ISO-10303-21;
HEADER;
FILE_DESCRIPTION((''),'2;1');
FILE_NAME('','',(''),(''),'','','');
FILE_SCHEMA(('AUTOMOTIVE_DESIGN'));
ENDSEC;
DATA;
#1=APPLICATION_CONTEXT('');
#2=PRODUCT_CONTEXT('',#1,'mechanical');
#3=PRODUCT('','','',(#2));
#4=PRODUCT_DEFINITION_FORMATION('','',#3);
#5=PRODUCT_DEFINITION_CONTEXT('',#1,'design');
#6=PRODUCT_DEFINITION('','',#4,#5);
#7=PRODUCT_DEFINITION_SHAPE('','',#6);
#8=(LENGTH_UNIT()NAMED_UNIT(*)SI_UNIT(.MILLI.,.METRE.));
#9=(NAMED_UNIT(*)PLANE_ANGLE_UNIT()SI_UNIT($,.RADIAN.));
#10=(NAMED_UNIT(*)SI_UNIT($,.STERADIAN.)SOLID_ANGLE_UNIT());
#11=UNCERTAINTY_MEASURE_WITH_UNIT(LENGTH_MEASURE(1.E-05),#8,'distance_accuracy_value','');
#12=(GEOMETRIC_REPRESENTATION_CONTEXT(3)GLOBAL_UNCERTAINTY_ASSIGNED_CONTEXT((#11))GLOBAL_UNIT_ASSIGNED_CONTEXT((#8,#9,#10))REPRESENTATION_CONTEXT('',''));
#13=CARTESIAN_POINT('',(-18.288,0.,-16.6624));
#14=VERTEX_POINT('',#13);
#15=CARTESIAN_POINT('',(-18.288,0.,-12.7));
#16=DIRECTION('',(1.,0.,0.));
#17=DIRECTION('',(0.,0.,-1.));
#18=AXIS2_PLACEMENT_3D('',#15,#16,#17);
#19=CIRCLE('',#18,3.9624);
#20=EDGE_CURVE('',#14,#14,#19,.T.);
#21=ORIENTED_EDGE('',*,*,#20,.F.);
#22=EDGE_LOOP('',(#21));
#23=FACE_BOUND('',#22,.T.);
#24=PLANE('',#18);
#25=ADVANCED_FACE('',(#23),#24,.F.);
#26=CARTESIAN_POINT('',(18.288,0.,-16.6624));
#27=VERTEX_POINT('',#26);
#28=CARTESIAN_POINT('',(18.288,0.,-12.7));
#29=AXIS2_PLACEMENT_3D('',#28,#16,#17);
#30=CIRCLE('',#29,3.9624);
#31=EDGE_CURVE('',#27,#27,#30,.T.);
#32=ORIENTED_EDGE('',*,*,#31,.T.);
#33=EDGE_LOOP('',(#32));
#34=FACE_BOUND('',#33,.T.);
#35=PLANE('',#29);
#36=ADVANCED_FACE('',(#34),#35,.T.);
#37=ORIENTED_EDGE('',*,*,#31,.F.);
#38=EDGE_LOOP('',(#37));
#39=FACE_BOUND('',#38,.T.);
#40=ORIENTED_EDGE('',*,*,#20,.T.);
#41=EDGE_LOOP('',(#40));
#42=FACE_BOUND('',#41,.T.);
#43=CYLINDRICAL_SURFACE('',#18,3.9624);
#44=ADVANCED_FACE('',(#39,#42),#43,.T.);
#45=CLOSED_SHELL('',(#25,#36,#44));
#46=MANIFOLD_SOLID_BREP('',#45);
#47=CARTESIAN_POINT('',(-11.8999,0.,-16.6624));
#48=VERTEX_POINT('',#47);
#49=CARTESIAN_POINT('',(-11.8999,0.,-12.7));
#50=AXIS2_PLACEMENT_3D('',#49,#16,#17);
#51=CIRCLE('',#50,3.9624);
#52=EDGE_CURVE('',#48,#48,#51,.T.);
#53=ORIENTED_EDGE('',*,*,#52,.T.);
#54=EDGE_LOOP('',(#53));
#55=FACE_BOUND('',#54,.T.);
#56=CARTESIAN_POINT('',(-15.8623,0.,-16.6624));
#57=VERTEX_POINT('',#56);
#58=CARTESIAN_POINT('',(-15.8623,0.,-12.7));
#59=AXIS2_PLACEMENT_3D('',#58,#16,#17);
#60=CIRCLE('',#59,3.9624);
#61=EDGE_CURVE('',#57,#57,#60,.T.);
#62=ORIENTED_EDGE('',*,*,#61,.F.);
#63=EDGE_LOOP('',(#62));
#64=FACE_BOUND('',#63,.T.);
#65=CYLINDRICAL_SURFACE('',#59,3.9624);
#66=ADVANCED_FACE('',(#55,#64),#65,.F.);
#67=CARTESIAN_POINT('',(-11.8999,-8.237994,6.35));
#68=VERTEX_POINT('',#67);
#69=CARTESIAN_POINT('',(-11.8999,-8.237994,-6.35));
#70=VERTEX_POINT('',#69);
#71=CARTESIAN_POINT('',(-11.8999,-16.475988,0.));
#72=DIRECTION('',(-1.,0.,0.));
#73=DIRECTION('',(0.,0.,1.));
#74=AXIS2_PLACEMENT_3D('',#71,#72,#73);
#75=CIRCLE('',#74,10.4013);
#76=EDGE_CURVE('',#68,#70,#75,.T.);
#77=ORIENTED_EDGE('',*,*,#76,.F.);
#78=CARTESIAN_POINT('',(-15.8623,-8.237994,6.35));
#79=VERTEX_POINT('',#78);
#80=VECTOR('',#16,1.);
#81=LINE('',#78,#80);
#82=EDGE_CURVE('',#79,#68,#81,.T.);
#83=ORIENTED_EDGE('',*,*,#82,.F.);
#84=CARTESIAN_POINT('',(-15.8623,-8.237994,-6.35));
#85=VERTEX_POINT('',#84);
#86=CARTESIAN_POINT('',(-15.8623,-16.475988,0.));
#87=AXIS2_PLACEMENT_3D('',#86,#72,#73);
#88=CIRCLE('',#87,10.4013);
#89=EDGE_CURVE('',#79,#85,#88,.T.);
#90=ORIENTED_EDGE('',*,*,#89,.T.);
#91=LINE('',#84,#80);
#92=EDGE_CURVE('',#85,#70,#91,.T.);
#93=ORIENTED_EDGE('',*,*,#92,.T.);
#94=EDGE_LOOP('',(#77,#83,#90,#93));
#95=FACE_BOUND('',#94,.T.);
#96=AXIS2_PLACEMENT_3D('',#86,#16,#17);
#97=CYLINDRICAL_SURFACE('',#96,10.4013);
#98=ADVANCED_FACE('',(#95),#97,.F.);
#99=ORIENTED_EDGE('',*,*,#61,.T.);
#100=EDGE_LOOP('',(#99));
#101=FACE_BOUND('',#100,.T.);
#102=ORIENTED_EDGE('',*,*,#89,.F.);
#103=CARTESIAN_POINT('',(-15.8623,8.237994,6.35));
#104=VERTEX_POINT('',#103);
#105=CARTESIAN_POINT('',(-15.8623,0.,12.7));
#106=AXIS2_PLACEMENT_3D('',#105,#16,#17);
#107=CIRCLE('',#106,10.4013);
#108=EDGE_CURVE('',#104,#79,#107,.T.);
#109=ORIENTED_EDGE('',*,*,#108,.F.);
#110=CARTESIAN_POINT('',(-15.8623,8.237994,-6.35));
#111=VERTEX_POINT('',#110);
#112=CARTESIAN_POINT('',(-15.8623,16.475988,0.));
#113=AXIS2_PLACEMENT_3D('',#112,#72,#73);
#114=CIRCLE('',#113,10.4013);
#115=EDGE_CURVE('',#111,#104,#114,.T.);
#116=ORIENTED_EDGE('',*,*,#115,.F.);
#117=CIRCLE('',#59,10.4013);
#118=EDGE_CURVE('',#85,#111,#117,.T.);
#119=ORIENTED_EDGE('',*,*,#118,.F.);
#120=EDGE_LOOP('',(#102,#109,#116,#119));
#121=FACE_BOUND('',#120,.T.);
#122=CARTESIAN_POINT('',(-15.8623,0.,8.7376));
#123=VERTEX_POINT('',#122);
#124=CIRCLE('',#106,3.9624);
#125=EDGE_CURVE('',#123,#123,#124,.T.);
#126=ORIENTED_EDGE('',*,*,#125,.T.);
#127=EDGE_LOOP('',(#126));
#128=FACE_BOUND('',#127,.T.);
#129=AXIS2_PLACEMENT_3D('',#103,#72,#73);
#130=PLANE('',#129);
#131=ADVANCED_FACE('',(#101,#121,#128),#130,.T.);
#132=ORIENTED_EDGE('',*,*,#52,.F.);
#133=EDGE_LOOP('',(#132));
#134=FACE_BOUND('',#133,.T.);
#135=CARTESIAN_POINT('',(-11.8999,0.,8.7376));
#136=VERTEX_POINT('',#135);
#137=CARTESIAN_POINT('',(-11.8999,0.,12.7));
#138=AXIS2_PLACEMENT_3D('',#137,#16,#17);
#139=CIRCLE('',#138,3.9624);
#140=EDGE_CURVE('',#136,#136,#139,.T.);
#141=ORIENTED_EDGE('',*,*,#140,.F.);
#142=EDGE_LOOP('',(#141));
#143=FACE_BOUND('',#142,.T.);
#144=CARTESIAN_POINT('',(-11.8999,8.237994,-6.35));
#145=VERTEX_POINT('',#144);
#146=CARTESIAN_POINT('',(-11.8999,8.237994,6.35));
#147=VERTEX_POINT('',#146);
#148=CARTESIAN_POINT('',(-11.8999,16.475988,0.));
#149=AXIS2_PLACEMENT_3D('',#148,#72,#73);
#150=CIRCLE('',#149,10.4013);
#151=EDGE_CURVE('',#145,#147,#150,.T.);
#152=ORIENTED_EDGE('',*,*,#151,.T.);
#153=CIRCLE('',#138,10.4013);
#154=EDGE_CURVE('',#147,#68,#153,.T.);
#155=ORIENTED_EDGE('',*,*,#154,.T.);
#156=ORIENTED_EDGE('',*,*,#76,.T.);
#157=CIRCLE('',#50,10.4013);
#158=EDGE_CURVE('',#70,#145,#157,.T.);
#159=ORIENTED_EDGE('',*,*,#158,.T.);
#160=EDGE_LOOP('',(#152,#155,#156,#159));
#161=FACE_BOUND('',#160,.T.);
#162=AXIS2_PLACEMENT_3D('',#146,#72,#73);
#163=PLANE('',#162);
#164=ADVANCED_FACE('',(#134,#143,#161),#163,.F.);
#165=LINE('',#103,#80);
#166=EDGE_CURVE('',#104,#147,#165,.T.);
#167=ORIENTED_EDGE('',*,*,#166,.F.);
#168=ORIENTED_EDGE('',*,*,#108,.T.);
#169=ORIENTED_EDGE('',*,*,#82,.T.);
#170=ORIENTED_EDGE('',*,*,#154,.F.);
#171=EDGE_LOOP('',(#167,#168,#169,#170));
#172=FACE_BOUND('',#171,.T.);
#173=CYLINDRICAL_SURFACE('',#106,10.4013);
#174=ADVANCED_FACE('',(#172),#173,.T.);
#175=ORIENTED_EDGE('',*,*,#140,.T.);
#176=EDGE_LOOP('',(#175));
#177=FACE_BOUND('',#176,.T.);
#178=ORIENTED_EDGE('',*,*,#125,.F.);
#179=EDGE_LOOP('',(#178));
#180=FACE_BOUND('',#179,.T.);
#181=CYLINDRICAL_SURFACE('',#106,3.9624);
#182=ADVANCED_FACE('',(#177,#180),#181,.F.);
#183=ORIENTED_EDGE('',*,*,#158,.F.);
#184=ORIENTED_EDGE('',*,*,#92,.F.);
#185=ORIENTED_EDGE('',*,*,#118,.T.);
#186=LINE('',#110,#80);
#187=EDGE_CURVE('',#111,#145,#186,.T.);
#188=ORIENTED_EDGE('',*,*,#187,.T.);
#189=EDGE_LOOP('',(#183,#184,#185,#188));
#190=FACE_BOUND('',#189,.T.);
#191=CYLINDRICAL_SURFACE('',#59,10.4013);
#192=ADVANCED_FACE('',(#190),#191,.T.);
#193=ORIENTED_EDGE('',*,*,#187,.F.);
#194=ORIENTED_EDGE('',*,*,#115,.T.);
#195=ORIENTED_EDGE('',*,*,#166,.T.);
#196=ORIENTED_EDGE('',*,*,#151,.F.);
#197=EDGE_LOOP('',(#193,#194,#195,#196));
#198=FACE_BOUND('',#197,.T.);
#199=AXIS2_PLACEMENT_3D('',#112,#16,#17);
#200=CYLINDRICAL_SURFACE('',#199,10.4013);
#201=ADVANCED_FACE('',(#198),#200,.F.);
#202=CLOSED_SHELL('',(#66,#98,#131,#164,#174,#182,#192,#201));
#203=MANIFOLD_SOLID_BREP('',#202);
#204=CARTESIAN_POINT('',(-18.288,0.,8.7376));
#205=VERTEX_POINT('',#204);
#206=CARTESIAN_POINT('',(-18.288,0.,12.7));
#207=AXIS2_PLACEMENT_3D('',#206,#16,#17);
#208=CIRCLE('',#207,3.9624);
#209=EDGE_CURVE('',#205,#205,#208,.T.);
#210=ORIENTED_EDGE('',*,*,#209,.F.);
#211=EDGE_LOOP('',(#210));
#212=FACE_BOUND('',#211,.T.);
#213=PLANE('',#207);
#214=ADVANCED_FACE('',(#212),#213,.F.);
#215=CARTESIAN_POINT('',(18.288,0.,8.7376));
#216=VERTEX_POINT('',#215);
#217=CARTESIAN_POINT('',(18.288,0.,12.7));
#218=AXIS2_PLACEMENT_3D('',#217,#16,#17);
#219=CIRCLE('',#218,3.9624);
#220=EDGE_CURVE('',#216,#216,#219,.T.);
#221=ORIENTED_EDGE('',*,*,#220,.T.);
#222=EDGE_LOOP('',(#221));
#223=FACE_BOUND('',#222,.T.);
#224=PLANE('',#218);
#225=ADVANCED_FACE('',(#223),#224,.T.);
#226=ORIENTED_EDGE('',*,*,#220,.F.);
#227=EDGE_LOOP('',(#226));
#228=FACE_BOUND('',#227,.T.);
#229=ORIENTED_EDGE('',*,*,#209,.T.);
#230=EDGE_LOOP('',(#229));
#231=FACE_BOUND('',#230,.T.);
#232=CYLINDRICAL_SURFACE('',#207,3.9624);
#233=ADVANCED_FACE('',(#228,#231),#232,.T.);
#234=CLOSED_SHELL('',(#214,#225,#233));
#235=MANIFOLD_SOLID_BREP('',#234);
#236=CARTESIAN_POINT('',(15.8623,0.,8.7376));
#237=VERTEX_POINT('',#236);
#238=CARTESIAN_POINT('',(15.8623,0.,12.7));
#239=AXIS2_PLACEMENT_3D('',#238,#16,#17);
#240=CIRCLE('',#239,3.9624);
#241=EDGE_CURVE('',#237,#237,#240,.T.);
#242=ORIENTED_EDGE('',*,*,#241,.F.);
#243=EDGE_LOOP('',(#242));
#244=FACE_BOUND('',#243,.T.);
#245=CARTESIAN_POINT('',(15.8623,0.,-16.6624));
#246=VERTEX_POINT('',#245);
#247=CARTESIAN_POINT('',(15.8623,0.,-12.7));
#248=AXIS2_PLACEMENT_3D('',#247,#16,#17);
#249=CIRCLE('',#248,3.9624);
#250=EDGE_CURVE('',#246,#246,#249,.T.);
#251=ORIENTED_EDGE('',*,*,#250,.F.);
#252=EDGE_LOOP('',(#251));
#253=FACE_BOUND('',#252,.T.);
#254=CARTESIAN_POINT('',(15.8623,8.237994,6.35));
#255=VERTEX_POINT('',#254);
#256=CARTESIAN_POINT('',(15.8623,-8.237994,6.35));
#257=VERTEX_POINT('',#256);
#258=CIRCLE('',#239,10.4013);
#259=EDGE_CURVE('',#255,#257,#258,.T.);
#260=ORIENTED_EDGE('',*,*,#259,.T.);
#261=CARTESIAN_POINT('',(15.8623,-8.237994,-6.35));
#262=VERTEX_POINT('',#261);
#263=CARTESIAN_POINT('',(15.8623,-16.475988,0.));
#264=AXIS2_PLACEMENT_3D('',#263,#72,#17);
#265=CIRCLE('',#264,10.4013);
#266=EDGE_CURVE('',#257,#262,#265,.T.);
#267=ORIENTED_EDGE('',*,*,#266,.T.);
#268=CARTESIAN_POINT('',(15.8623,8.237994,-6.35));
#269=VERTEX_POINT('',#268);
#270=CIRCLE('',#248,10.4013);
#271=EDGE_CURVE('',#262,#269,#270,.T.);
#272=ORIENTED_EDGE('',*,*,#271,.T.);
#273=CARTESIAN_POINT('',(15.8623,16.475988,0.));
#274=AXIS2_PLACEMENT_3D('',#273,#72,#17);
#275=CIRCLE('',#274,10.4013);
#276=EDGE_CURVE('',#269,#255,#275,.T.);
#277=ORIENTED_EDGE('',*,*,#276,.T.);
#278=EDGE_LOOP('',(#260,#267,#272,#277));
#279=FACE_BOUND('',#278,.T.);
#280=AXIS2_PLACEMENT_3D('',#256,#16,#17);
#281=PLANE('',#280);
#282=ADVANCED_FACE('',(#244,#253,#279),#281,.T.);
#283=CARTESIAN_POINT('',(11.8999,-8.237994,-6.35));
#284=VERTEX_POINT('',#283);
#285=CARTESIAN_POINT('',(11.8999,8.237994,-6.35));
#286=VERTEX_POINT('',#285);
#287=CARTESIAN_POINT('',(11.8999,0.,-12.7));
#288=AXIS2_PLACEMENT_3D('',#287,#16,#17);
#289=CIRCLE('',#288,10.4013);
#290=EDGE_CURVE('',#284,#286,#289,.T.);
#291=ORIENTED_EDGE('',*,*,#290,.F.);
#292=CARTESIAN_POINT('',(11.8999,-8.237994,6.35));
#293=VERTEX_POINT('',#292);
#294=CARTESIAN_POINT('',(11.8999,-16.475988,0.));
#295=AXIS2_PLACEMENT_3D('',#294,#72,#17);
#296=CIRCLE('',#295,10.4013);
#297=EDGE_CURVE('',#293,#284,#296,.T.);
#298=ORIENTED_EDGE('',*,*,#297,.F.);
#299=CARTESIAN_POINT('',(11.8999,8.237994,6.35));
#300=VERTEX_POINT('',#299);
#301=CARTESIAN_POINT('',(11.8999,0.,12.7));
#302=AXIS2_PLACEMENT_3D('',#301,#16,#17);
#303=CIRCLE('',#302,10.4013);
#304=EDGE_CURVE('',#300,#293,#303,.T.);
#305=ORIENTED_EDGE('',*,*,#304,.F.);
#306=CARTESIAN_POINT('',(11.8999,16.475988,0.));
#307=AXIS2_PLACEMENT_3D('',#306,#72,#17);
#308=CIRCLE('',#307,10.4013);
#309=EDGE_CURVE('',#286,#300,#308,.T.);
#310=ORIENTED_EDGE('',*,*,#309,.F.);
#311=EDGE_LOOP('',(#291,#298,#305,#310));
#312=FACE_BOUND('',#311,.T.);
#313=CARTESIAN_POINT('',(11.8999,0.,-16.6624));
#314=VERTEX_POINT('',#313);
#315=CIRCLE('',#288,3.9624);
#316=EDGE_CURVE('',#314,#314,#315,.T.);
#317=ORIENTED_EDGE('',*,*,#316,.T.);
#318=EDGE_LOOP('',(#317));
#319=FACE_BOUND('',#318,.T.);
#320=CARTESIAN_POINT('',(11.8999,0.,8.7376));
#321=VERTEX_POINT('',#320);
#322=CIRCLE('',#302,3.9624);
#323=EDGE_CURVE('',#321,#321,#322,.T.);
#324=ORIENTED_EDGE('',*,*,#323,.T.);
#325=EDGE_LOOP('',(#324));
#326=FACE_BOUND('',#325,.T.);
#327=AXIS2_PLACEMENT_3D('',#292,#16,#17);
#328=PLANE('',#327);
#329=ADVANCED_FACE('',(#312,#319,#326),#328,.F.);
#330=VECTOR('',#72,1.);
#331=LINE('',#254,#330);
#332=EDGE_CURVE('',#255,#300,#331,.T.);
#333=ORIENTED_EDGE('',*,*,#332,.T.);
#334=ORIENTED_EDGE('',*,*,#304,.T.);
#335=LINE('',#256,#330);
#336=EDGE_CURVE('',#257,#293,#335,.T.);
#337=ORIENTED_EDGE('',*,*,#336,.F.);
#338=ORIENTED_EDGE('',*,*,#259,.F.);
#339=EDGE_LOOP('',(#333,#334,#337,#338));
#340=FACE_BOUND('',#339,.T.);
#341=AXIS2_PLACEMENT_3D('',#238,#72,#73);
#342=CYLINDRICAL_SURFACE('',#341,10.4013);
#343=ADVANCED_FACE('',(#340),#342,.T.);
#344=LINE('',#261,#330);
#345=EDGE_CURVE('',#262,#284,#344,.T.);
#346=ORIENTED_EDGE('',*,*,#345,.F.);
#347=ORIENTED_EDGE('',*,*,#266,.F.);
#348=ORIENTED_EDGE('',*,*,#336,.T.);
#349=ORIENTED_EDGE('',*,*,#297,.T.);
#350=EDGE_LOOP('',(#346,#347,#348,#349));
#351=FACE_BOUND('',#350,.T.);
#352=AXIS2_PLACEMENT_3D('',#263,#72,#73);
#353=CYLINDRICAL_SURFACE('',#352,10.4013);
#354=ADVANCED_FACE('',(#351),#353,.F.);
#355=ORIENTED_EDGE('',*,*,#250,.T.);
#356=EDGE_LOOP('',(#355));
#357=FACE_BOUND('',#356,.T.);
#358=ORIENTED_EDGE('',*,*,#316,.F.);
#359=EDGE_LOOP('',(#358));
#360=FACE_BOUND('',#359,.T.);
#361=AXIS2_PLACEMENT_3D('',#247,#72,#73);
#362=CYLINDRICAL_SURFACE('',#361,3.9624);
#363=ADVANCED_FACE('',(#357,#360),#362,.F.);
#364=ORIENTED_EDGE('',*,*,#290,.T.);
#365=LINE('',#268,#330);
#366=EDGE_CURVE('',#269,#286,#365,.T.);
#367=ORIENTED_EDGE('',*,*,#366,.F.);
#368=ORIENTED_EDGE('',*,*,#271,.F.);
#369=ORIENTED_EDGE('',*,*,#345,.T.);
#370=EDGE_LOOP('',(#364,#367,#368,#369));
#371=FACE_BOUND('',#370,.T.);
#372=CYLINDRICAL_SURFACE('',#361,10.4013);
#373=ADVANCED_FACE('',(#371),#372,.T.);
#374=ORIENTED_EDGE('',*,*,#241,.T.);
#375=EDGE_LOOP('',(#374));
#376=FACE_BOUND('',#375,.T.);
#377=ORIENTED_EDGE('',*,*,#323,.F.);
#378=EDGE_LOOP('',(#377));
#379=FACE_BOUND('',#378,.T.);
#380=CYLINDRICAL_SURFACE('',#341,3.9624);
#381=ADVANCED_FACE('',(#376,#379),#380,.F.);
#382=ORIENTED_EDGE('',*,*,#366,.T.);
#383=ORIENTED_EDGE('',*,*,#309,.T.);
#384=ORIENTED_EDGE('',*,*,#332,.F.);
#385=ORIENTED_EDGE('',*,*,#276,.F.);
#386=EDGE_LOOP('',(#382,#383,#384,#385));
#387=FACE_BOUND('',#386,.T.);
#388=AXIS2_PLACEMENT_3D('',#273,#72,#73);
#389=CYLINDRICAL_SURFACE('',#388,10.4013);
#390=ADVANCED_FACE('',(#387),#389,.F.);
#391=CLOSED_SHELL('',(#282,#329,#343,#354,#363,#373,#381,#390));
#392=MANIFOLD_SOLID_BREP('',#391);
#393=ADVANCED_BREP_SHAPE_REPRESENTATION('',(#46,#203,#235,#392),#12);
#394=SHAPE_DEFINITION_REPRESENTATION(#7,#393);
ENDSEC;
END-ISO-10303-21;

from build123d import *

# Parameters (mm, degrees)
BACK_LINK_SKETCH_R       = 3.9624
BACK_LINK_EXTRUDE_DEPTH  = 3.9624
FRONT_LINK_SKETCH_R      = 3.9624
FRONT_LINK_EXTRUDE_DEPTH = 3.9624
PIN_SKETCH_R             = 3.9624
PIN_EXTRUDE_DEPTH        = 18.288
PIN_EXTRUDE_DEPTH_BACK   = 18.288
PIN_EXTRUDE_2_DEPTH      = 18.288
PIN_EXTRUDE_2_DEPTH_BACK = 18.288


with BuildPart() as part:
    # Back Link Sketch → Back Link Extrude (new body)
    with BuildSketch(Plane(origin=(-11.8999, 0, 0), x_dir=(0, 0, -1), z_dir=(1, 0, 0))):
        with BuildLine():
            ThreePointArc((-6.35, 8.23799379), (-23.1013, 0), (-6.35, -8.23799379))
            ThreePointArc((-6.35, -8.23799379), (0, -6.074687581), (6.35, -8.23799379))
            ThreePointArc((6.35, -8.23799379), (23.1013, 0), (6.35, 8.23799379))
            ThreePointArc((6.35, 8.23799379), (0, 6.074687581), (-6.35, 8.23799379))
        make_face()
        with Locations((-12.7, 0)):
            Circle(BACK_LINK_SKETCH_R, mode=Mode.SUBTRACT)
        with Locations((12.7, 0)):
            Circle(BACK_LINK_SKETCH_R, mode=Mode.SUBTRACT)
    extrude(amount=-BACK_LINK_EXTRUDE_DEPTH)


with BuildPart() as body_2:
    # Front Link Sketch → Front Link Extrude (new body)
    with BuildSketch(Plane(origin=(11.8999, 0, 0), x_dir=(0, 0, -1), z_dir=(1, 0, 0))):
        with BuildLine():
            ThreePointArc((-6.35, 8.23799379), (0, 6.074687581), (6.35, 8.23799379))
            ThreePointArc((6.35, 8.23799379), (23.1013, 0), (6.35, -8.23799379))
            ThreePointArc((6.35, -8.23799379), (0, -6.074687581), (-6.35, -8.23799379))
            ThreePointArc((-6.35, -8.23799379), (-23.1013, 0), (-6.35, 8.23799379))
        make_face()
        with Locations((-12.7, 0)):
            Circle(FRONT_LINK_SKETCH_R, mode=Mode.SUBTRACT)
        with Locations((12.7, 0)):
            Circle(FRONT_LINK_SKETCH_R, mode=Mode.SUBTRACT)
    extrude(amount=FRONT_LINK_EXTRUDE_DEPTH)


with BuildPart() as body_3:
    # Pin Sketch → Pin Extrude (new body, two sides)
    with BuildSketch(Plane(origin=(0, 0, 0), x_dir=(0, 0, -1), z_dir=(1, 0, 0))) as pin_extrude_sk:
        with Locations((12.7, 0)):
            Circle(PIN_SKETCH_R)
    extrude(amount=PIN_EXTRUDE_DEPTH)
    extrude(pin_extrude_sk.sketch, amount=-PIN_EXTRUDE_DEPTH_BACK)


with BuildPart() as body_4:
    # Pin Sketch → Pin Extrude 2 (new body, two sides)
    with BuildSketch(Plane(origin=(0, 0, 0), x_dir=(0, 0, -1), z_dir=(1, 0, 0))) as pin_extrude_2_sk:
        with Locations((-12.7, 0)):
            Circle(PIN_SKETCH_R)
    extrude(amount=PIN_EXTRUDE_2_DEPTH)
    extrude(pin_extrude_2_sk.sketch, amount=-PIN_EXTRUDE_2_DEPTH_BACK)


solid = Compound([part.part, body_2.part, body_3.part, body_4.part])
